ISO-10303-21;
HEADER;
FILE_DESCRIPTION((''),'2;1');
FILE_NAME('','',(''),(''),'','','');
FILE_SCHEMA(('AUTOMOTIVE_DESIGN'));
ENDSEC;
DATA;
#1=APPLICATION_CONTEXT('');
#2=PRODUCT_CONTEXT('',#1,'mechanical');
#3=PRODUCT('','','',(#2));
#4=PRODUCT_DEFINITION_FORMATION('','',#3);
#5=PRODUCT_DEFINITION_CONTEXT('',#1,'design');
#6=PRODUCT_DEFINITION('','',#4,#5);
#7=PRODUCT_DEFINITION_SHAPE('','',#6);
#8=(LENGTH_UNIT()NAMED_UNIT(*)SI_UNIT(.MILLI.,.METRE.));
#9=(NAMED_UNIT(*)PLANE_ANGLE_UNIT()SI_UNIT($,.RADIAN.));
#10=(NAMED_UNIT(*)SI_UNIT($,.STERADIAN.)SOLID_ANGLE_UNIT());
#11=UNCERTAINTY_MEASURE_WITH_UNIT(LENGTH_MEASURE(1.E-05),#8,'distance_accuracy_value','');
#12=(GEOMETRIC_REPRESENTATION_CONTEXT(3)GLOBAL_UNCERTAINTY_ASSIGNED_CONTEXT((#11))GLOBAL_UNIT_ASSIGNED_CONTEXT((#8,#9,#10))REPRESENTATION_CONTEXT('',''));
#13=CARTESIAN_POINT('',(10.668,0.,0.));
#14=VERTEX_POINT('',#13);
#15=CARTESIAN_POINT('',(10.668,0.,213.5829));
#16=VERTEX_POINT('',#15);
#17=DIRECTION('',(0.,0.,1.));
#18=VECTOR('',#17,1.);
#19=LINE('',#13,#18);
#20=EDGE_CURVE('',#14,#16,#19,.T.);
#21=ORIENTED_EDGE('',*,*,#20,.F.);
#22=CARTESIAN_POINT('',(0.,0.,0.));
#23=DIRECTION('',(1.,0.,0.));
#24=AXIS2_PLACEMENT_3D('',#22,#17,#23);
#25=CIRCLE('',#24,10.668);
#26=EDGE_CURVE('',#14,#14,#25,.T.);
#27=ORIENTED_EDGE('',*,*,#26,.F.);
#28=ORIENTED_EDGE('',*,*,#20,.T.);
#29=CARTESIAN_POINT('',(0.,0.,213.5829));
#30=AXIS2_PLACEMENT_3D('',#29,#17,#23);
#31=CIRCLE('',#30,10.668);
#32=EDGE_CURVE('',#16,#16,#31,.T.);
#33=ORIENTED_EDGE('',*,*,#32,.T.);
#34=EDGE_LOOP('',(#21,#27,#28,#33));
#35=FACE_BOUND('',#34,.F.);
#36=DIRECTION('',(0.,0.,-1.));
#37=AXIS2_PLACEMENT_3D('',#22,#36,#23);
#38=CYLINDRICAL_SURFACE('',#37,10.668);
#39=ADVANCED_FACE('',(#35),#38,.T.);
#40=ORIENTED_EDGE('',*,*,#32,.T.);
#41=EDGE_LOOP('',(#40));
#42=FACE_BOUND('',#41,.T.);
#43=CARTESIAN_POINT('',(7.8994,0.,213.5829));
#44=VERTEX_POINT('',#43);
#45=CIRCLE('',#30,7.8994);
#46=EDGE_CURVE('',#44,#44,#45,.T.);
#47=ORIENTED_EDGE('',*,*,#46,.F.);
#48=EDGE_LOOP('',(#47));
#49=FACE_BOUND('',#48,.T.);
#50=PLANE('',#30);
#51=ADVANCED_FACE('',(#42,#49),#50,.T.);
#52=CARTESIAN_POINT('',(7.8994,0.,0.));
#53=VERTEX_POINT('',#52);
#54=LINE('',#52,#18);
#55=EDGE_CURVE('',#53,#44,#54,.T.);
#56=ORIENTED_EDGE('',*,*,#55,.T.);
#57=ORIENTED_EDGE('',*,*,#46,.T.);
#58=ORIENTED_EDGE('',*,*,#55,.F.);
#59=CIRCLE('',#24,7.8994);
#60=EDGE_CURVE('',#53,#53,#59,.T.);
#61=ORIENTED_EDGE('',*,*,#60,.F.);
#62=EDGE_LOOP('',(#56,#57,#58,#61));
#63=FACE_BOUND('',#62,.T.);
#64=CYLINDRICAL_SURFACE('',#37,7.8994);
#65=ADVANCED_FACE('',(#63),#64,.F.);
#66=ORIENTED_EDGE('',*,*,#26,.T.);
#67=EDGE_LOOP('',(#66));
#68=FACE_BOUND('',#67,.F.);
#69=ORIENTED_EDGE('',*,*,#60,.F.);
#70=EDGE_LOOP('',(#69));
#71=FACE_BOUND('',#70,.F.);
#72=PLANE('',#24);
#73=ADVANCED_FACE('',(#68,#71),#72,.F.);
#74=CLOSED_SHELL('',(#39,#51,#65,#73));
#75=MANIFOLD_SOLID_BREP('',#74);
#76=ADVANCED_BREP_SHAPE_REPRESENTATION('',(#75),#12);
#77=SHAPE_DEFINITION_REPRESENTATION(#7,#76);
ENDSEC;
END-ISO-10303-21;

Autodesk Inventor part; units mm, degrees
ref_plane "YZ Plane" through (0, 0, 0) normal (1, 0, 0) x (0, 1, 0)
ref_plane "Start Plane" through (0, 0, 0) normal (0, 0, 1) x (1, 0, 0)
ref_plane "End Plane" through (0, 0, 213.5829) normal (0, 0, 1) x (1, 0, 0)
sketch "Sketch" plane through (0, 0, 0) normal (0, 0, 1) x (1, 0, 0)
  circle A0 centre (0, 0) radius 7.8994
  circle A1 centre (0, 0) radius 10.668
  dimension "d0" = 21.336
  dimension "d1" = 2.7686
extrude "Body" add sketch "Sketch" along normal up to surface (213.5829 mm away) from surface at 0
sketch "Sketch3" plane through (0, 0, 0) normal (0, 0, 1) x (1, 0, 0)
  line L0 (0, 0) -> (10, 0)
ref_plane "Work Plane3" through (0, 0, 0) normal (0, -1, 0) x (1, 0, 0)
sketch "Sketch4" plane through (0, 0, 0) normal (0, -1, 0) x (1, 0, 0)
  line L0 (-2, 0) -> (12, 0) projected
  line L1 (-2, 213.5829) -> (12, 213.5829) projected
  dimension "d7" = 213.5829
equation "\"d0\" = G_H"
equation "\"d1\" = G_T"
equation "\"d2\" = G_L"
equation "\"G_H\" = 21.336"
equation "\"G_T\" = 2.7686"
equation "\"G_L\" = d7"
equation "\"G_OFFSET_START\" = 0"
equation "\"G_OFFSET_END\" = 0"
equation "\"d5\" = G_OFFSET_END + B_L"
equation "\"B_L\" = 213.58293"
properties part number "ANSI - 1/2 x 0.109 - 8.409" material "Steel, Mild"
